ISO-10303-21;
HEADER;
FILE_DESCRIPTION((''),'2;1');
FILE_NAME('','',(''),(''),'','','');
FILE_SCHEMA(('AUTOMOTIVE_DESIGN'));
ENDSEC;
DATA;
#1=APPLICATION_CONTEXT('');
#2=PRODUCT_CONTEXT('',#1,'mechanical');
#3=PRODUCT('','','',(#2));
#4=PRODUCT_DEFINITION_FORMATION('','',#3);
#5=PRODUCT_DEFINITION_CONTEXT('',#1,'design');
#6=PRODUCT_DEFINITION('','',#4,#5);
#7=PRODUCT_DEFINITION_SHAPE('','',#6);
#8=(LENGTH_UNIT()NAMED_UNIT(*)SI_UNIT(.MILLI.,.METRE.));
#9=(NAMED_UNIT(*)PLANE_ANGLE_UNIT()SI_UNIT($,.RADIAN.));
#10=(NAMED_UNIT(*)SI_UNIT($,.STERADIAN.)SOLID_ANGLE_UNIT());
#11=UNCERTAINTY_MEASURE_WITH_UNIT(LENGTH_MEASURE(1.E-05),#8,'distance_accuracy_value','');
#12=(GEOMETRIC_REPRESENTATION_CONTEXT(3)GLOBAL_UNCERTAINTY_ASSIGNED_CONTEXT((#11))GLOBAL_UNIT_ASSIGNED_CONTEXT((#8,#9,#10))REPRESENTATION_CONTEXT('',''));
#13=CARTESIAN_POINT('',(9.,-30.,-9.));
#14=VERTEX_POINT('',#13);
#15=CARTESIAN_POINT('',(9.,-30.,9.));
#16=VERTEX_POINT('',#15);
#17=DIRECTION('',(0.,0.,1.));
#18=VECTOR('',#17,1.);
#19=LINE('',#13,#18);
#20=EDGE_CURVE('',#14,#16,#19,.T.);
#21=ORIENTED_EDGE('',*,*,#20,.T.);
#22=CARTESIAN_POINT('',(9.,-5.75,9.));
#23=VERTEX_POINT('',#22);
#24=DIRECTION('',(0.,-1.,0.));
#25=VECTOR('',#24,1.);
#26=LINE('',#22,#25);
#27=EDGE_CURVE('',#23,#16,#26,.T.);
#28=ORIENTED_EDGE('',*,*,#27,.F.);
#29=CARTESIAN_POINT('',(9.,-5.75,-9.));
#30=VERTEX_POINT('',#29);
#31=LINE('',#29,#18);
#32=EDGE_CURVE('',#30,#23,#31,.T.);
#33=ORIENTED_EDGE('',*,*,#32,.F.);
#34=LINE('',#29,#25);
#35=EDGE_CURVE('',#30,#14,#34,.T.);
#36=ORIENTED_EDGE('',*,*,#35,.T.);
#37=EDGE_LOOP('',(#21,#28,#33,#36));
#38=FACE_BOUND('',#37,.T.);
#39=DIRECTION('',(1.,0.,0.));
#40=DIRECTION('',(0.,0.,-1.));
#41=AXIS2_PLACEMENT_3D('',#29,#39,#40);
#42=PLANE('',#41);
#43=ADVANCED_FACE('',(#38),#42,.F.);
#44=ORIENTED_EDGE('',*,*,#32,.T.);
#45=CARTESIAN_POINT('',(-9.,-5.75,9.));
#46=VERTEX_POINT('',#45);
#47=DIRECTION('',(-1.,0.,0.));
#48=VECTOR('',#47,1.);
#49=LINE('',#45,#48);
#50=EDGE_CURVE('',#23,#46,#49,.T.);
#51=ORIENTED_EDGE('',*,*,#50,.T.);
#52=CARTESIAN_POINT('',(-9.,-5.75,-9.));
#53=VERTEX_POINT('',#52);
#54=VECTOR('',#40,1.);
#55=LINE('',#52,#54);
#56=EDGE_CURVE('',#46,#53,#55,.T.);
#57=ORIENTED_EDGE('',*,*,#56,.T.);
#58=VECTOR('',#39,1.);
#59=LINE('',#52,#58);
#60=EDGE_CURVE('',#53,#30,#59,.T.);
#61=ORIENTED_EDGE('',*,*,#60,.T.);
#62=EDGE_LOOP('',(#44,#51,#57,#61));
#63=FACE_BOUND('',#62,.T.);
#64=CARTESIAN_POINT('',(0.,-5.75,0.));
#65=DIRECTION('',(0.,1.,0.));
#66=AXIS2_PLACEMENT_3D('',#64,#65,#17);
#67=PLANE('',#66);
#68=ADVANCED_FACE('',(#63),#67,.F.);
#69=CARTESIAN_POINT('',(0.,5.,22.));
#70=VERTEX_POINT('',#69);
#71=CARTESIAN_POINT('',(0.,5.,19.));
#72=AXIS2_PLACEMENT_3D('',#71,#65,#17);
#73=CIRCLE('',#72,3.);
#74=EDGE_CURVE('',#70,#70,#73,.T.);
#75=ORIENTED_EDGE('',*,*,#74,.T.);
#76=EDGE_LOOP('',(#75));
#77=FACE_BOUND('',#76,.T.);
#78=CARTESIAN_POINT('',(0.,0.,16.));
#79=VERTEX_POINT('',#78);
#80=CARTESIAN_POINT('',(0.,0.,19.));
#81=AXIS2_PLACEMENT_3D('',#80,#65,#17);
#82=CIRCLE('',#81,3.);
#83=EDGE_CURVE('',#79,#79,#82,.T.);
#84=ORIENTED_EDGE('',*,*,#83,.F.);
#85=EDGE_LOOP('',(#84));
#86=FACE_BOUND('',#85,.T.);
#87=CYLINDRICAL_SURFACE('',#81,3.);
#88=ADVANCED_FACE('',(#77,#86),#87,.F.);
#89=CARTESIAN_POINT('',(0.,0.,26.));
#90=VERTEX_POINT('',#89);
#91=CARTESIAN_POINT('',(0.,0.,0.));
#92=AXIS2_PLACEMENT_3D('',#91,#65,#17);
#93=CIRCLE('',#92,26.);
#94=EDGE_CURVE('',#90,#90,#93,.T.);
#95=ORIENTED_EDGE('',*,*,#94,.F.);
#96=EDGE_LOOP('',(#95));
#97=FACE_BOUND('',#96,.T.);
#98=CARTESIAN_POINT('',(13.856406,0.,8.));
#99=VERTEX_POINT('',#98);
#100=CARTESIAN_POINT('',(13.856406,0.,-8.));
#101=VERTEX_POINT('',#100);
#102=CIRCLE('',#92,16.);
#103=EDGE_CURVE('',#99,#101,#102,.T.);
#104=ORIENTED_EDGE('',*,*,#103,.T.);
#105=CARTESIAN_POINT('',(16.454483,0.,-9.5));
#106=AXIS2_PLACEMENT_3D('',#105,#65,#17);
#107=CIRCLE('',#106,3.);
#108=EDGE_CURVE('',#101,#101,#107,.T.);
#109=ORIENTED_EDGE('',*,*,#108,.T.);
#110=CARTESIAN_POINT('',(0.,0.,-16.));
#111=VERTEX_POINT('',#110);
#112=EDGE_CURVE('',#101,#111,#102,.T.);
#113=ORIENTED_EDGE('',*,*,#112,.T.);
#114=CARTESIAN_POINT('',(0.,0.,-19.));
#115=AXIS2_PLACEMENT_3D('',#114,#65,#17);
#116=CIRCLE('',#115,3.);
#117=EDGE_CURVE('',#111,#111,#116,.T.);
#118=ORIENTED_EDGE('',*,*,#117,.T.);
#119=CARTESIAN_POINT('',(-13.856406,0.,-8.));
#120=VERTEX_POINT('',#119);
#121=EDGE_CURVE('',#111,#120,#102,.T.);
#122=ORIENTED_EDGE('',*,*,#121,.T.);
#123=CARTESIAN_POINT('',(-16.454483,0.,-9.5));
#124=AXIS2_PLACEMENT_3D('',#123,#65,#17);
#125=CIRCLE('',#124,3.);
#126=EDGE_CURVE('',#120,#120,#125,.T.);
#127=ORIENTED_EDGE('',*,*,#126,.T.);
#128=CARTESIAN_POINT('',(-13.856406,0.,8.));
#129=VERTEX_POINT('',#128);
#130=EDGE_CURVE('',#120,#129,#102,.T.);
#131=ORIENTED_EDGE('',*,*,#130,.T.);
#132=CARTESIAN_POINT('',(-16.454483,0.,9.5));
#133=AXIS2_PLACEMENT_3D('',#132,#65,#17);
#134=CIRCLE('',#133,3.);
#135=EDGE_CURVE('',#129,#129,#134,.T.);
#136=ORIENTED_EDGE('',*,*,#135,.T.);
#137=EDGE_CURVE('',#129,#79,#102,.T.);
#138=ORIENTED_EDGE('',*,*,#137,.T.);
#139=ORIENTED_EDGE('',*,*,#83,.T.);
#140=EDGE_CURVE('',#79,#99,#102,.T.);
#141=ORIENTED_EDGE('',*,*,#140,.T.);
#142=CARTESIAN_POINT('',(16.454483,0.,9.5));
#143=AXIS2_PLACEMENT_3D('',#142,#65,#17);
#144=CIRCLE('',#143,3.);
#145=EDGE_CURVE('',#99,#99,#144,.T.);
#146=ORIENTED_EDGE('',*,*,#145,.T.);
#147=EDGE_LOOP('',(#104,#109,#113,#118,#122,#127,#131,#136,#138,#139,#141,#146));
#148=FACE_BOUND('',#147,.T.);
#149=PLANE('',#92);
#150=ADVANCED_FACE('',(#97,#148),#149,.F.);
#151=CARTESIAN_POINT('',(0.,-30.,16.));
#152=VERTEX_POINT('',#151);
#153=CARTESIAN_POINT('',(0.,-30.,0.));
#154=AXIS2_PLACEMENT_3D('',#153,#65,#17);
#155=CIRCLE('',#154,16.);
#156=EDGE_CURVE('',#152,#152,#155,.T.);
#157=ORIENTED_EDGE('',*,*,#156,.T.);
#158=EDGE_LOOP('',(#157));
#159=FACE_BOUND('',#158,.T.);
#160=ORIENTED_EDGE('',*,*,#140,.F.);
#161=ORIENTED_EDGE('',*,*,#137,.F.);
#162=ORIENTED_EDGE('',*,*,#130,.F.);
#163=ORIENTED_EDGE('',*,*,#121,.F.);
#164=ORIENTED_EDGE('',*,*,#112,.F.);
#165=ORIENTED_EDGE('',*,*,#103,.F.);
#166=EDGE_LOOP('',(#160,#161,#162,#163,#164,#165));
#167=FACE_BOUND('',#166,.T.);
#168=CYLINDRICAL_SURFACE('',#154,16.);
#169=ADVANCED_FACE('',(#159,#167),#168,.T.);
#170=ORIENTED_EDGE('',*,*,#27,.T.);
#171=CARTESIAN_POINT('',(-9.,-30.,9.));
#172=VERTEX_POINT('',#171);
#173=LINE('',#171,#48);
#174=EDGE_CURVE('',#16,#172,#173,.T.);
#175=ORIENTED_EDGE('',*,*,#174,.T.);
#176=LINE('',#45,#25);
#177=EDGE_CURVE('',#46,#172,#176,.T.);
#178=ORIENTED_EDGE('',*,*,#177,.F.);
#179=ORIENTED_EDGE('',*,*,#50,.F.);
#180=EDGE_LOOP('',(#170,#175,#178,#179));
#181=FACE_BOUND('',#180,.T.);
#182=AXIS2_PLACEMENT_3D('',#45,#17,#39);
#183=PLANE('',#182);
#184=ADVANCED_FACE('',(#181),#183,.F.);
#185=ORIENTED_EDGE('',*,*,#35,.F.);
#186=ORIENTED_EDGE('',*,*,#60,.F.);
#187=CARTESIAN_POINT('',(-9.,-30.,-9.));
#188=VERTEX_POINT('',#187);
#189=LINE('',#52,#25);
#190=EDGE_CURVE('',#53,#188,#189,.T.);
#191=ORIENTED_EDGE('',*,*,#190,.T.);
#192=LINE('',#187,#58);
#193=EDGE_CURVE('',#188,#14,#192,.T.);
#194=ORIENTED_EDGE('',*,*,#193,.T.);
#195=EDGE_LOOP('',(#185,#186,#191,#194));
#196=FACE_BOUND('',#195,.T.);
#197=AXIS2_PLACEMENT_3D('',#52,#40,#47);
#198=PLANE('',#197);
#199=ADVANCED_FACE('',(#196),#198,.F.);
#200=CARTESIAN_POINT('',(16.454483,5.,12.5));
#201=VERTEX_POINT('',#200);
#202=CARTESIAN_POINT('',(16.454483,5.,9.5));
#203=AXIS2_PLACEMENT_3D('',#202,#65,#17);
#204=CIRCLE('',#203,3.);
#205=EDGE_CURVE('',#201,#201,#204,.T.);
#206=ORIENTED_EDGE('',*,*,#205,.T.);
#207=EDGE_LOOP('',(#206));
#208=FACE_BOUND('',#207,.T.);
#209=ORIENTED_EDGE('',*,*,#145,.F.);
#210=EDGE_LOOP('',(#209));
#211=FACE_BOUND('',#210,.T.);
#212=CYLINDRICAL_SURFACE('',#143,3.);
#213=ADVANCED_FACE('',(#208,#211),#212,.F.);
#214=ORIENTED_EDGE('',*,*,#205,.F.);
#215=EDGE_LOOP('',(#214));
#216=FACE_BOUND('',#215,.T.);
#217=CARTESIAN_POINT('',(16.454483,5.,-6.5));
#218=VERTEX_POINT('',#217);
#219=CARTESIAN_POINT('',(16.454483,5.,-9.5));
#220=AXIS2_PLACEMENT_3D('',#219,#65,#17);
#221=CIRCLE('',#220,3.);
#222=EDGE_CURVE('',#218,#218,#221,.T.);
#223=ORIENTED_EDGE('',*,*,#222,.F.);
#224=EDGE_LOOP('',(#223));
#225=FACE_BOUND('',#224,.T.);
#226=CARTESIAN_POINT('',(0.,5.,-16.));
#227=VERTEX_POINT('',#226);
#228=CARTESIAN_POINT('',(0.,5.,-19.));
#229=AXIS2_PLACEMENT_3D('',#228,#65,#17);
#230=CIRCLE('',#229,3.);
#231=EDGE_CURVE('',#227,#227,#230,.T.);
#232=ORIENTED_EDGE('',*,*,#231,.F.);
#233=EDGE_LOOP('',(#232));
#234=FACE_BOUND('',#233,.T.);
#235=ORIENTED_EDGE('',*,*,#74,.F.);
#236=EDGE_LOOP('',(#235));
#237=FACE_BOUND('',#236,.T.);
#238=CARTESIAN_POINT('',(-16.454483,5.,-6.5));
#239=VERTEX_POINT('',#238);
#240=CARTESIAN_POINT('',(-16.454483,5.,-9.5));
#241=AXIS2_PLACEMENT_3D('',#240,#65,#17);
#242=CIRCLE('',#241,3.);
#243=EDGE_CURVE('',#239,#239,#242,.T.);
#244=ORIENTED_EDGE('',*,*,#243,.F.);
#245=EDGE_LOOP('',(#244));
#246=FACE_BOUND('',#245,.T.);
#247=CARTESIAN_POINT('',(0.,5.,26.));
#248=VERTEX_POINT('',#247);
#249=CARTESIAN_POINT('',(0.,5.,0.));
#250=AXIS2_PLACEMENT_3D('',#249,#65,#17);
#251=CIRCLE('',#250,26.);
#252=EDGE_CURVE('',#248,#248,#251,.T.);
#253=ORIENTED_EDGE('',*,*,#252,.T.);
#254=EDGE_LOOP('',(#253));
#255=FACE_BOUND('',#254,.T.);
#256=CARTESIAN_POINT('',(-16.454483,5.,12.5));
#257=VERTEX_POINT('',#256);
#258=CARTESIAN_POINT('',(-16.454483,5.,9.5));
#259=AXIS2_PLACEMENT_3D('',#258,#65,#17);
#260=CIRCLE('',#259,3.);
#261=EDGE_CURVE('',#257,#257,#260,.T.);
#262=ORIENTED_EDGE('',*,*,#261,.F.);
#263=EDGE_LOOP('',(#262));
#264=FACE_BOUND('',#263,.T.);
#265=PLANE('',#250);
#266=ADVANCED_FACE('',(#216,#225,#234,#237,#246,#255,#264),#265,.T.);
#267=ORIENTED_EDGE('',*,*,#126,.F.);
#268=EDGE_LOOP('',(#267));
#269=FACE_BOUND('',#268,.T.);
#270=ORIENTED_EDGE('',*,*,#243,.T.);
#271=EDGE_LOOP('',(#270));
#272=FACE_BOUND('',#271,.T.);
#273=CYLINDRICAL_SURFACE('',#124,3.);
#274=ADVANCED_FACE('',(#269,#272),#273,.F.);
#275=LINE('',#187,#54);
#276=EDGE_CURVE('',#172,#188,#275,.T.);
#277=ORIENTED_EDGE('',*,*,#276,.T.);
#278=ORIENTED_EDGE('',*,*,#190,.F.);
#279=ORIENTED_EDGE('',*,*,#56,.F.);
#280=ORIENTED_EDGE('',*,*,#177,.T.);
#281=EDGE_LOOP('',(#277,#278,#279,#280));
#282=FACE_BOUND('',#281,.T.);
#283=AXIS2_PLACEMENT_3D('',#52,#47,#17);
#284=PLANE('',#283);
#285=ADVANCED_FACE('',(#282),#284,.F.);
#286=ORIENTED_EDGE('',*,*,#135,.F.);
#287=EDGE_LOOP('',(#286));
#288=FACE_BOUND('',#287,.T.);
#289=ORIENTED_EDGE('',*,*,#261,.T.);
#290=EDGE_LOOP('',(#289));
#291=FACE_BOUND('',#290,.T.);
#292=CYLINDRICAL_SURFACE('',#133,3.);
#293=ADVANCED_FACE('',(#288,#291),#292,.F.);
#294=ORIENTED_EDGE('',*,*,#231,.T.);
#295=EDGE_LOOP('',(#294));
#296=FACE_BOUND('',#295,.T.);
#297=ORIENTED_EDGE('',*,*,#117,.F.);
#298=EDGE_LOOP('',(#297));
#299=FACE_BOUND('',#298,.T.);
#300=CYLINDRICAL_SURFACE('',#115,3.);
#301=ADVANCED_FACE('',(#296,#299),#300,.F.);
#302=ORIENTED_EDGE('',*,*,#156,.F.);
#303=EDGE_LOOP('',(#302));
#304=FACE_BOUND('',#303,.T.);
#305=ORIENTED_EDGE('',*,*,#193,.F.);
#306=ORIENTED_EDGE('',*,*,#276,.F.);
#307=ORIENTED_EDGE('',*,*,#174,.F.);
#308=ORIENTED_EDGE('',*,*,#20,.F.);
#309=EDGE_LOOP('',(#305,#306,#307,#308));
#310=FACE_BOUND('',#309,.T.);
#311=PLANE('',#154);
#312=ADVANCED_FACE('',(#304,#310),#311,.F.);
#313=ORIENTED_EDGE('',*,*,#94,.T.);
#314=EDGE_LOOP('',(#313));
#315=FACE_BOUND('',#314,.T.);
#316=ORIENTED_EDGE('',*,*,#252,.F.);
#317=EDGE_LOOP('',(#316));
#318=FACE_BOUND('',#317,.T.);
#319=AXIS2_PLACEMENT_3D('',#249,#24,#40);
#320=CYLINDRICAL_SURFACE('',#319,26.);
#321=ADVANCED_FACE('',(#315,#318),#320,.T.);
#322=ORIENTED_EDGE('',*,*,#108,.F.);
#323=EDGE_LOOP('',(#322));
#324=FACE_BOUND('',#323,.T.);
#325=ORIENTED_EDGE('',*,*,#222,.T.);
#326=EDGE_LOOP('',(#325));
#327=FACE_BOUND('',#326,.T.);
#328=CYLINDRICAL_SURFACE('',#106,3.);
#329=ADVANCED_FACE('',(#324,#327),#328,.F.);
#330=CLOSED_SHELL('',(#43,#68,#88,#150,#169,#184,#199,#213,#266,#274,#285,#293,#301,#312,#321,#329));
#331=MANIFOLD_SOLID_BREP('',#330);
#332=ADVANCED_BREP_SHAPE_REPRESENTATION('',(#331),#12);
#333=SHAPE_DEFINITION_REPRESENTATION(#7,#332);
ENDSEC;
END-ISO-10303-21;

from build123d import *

# Parameters (mm, degrees)
SKETCH1_R           = 26
BOSS_EXTRUDE1_DEPTH = 5
SKETCH11_R          = 3
CUT_EXTRUDE7_DEPTH  = 38.107950631
BOSS_EXTRUDE4_START = -5
SKETCH4_R           = 16
BOSS_EXTRUDE4_DEPTH = 30
SKETCH10_W          = 18
SKETCH10_H          = 18
CUT_EXTRUDE8_DEPTH  = 24.25


with BuildPart() as part:
    # Sketch1 → Boss-Extrude1 (new body)
    with BuildSketch(Plane(origin=(0, 0, 0), x_dir=(1, 0, 0), z_dir=(0, 1, 0))):
        with Locations(Location((0, 0, 0), (0, 0, 270))):
            Circle(SKETCH1_R)
    extrude(amount=BOSS_EXTRUDE1_DEPTH)

    # Sketch11 → Cut-Extrude7 (cut, through all)
    with BuildSketch(Plane(origin=(0, 5, 0), x_dir=(1, 0, 0), z_dir=(0, 1, 0))):
        with Locations(Location((-16.454482672, -9.5, 0), (0, 0, 270))):
            Circle(SKETCH11_R)
        with Locations(Location((-16.454482672, 9.5, 0), (0, 0, 270))):
            Circle(SKETCH11_R)
        with Locations(Location((0, 19, 0), (0, 0, 270))):
            Circle(SKETCH11_R)
        with Locations(Location((16.454482672, 9.5, 0), (0, 0, 270))):
            Circle(SKETCH11_R)
        with Locations(Location((16.454482672, -9.5, 0), (0, 0, 270))):
            Circle(SKETCH11_R)
        with Locations(Location((0, -19, 0), (0, 0, 270))):
            Circle(SKETCH11_R)
    extrude(amount=-CUT_EXTRUDE7_DEPTH, mode=Mode.SUBTRACT)

    # Sketch4 → Boss-Extrude4 (add)
    with BuildSketch(Plane(origin=(0, 5, 0), x_dir=(1, 0, 0), z_dir=(0, 1, 0)).offset(BOSS_EXTRUDE4_START)):
        with Locations(Location((0, 0, 0), (0, 0, 270))):
            Circle(SKETCH4_R)
    extrude(amount=-BOSS_EXTRUDE4_DEPTH)

    # Sketch10 → Cut-Extrude8 (cut)
    with BuildSketch(Plane.XZ.offset(30)):
        Rectangle(SKETCH10_W, SKETCH10_H)
    extrude(amount=-CUT_EXTRUDE8_DEPTH, mode=Mode.SUBTRACT)


solid = part.part
